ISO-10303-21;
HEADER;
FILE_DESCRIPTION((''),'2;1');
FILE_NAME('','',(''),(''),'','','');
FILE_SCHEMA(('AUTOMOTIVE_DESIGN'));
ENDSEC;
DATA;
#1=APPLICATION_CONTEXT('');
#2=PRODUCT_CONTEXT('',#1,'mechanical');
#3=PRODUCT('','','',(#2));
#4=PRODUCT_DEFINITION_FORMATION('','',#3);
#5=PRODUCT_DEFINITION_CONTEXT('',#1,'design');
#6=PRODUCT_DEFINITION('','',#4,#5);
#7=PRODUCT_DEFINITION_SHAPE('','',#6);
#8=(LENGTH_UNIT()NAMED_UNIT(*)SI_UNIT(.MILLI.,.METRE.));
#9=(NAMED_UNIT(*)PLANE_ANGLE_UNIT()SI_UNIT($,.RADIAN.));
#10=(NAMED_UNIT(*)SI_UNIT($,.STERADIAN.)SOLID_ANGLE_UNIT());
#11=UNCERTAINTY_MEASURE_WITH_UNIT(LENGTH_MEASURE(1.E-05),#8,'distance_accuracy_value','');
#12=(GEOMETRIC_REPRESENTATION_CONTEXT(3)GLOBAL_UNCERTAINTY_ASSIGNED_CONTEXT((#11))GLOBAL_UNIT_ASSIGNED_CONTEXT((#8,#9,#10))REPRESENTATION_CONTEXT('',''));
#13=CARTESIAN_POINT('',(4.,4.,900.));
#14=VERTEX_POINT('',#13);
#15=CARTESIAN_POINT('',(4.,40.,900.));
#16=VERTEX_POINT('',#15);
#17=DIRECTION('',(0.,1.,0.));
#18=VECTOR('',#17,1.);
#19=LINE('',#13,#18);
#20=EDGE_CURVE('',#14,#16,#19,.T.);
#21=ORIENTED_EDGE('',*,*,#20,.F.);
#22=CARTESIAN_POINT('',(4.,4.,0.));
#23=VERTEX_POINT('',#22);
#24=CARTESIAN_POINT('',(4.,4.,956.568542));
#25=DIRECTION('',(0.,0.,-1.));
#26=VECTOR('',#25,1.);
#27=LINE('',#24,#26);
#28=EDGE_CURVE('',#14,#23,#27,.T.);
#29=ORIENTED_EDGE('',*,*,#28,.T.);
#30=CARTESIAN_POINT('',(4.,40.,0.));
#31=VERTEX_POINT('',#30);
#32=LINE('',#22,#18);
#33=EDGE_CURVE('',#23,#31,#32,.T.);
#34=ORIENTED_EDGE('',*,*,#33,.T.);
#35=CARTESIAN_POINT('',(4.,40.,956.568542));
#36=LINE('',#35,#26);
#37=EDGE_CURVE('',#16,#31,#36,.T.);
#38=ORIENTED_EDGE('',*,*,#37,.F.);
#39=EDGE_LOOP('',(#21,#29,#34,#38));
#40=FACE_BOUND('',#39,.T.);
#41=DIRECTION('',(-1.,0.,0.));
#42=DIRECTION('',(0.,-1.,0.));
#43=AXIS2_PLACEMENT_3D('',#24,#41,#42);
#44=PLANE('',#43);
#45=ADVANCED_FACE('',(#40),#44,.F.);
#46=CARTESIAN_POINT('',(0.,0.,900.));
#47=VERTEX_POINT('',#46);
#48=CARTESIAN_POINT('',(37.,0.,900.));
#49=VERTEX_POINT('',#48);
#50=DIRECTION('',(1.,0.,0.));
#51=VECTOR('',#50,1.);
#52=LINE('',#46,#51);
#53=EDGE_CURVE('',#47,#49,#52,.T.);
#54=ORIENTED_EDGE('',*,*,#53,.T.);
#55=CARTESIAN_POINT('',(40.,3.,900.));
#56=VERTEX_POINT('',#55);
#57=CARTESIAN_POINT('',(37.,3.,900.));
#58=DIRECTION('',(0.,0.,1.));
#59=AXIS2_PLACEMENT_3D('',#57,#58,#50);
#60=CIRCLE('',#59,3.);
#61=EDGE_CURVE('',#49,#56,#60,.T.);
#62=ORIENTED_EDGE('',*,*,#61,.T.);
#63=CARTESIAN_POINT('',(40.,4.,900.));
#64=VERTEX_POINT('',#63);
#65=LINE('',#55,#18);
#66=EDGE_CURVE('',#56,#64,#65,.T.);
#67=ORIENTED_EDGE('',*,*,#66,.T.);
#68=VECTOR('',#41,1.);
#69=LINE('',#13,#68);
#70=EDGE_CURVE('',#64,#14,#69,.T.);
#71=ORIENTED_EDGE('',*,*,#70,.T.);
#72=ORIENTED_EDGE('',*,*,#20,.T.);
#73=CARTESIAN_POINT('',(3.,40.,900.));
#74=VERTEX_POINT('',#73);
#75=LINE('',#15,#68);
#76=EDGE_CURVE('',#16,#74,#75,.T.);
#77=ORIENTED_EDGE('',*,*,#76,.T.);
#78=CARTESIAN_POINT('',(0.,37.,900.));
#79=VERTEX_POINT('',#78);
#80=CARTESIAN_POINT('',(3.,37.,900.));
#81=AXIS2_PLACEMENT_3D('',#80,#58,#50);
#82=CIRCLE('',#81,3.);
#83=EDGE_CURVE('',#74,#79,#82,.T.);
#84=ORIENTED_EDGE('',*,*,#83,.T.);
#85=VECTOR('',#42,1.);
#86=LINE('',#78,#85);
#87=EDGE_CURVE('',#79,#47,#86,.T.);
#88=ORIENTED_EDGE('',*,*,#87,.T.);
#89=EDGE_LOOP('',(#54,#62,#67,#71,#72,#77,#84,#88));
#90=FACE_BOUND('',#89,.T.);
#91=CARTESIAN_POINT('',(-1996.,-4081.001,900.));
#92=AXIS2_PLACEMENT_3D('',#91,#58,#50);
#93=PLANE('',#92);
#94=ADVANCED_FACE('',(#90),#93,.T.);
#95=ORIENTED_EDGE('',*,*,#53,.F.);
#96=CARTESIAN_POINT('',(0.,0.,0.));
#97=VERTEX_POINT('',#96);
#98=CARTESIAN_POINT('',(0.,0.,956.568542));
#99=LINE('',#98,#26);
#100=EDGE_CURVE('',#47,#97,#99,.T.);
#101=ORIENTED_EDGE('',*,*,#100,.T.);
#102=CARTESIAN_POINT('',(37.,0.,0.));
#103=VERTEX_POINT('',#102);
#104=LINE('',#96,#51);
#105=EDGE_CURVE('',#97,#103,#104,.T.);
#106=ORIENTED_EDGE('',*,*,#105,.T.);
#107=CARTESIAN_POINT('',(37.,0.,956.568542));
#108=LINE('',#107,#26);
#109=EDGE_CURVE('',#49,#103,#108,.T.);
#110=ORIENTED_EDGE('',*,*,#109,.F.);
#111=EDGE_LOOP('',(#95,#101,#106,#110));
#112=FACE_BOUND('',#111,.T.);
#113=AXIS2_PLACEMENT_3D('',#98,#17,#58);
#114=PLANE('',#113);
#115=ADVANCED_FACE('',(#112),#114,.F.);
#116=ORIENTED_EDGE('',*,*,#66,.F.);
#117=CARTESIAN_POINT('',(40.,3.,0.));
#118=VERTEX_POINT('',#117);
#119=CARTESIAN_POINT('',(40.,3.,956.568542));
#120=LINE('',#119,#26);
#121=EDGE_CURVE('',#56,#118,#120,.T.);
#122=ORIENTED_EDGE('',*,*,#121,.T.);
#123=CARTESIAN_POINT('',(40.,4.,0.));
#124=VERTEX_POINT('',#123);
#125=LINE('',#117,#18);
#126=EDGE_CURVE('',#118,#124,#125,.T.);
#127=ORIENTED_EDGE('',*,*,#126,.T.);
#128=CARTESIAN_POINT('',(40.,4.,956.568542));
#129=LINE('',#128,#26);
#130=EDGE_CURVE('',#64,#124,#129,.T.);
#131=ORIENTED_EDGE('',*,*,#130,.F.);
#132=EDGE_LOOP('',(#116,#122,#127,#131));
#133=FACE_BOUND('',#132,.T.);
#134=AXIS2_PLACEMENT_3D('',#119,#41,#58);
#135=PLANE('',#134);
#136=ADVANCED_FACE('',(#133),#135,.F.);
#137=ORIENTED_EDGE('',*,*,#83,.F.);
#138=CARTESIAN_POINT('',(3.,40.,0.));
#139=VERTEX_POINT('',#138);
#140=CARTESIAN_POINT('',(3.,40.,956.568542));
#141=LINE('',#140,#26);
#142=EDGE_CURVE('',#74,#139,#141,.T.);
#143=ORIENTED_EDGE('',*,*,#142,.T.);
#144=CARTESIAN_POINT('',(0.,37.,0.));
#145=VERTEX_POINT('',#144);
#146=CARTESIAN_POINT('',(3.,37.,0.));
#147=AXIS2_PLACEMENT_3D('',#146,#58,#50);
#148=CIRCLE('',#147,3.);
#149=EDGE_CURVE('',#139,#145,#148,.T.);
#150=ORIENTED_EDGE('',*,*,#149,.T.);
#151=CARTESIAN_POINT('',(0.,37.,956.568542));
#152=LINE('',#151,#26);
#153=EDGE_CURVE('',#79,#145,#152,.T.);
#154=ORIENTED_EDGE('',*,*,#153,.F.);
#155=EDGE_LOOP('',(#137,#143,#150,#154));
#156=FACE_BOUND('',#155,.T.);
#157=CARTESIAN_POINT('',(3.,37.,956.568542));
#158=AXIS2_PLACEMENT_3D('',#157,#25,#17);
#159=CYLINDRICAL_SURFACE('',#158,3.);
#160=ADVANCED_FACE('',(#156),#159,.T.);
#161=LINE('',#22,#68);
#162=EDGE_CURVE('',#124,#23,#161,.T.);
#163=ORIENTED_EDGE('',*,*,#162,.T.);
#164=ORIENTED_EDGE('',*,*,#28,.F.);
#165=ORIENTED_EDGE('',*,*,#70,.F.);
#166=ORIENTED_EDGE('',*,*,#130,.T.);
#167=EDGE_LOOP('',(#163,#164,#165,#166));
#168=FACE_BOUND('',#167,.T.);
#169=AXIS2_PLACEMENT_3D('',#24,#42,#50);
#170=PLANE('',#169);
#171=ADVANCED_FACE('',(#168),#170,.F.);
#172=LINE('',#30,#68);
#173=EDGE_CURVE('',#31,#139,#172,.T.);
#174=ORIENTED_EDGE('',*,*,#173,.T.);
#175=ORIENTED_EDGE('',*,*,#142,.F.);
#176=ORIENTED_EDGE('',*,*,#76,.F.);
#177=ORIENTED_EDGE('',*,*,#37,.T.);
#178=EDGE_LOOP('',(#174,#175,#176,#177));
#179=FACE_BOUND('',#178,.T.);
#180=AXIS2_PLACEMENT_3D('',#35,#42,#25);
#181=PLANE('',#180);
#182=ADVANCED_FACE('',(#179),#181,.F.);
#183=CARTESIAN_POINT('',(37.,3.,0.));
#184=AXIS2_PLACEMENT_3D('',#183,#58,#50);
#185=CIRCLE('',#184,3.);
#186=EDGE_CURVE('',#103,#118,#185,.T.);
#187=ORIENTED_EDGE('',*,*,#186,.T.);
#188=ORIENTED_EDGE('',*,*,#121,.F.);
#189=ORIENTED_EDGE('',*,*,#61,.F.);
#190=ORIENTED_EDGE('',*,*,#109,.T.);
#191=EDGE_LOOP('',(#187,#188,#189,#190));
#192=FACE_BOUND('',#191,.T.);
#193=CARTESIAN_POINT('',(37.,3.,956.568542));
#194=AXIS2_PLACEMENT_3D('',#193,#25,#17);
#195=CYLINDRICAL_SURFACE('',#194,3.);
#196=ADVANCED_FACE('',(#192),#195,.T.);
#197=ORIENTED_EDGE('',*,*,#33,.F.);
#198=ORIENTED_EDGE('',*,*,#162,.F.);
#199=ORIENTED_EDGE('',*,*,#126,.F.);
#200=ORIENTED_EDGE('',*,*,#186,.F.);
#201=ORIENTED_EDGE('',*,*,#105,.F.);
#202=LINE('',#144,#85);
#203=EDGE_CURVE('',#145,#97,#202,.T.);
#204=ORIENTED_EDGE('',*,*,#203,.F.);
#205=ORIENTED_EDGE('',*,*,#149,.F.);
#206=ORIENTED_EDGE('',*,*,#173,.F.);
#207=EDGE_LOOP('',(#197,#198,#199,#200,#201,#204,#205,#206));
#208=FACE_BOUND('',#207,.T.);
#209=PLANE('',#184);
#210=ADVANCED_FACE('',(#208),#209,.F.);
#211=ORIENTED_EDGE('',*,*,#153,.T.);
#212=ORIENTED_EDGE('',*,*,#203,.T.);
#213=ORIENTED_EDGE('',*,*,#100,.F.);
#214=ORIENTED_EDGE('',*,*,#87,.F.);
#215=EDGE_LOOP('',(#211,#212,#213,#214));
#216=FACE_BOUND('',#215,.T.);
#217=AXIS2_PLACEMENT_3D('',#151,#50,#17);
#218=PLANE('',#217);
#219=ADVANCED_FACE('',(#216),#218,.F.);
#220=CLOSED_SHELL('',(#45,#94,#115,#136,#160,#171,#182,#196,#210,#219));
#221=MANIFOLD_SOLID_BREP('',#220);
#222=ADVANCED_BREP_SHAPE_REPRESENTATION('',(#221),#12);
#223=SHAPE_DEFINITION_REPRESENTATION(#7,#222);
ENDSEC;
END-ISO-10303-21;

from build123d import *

# Parameters (mm, degrees)
EXTRUDE_1_DEPTH = 900


with BuildPart() as part:
    # Эскиз1 → Бобышка-Вытянуть1 (new body)
    with BuildSketch(Plane.XY):
        with BuildLine():
            Line((0, 0), (37, 0))
            ThreePointArc((37, 0), (39.121320344, 0.878679656), (40, 3))
            Line((40, 3), (40, 4))
            Line((40, 4), (4, 4))
            Line((4, 4), (4, 40))
            Line((4, 40), (3, 40))
            ThreePointArc((3, 40), (0.878679656, 39.121320344), (0, 37))
            Line((0, 37), (0, 0))
        make_face()
    extrude(amount=EXTRUDE_1_DEPTH)


solid = part.part
